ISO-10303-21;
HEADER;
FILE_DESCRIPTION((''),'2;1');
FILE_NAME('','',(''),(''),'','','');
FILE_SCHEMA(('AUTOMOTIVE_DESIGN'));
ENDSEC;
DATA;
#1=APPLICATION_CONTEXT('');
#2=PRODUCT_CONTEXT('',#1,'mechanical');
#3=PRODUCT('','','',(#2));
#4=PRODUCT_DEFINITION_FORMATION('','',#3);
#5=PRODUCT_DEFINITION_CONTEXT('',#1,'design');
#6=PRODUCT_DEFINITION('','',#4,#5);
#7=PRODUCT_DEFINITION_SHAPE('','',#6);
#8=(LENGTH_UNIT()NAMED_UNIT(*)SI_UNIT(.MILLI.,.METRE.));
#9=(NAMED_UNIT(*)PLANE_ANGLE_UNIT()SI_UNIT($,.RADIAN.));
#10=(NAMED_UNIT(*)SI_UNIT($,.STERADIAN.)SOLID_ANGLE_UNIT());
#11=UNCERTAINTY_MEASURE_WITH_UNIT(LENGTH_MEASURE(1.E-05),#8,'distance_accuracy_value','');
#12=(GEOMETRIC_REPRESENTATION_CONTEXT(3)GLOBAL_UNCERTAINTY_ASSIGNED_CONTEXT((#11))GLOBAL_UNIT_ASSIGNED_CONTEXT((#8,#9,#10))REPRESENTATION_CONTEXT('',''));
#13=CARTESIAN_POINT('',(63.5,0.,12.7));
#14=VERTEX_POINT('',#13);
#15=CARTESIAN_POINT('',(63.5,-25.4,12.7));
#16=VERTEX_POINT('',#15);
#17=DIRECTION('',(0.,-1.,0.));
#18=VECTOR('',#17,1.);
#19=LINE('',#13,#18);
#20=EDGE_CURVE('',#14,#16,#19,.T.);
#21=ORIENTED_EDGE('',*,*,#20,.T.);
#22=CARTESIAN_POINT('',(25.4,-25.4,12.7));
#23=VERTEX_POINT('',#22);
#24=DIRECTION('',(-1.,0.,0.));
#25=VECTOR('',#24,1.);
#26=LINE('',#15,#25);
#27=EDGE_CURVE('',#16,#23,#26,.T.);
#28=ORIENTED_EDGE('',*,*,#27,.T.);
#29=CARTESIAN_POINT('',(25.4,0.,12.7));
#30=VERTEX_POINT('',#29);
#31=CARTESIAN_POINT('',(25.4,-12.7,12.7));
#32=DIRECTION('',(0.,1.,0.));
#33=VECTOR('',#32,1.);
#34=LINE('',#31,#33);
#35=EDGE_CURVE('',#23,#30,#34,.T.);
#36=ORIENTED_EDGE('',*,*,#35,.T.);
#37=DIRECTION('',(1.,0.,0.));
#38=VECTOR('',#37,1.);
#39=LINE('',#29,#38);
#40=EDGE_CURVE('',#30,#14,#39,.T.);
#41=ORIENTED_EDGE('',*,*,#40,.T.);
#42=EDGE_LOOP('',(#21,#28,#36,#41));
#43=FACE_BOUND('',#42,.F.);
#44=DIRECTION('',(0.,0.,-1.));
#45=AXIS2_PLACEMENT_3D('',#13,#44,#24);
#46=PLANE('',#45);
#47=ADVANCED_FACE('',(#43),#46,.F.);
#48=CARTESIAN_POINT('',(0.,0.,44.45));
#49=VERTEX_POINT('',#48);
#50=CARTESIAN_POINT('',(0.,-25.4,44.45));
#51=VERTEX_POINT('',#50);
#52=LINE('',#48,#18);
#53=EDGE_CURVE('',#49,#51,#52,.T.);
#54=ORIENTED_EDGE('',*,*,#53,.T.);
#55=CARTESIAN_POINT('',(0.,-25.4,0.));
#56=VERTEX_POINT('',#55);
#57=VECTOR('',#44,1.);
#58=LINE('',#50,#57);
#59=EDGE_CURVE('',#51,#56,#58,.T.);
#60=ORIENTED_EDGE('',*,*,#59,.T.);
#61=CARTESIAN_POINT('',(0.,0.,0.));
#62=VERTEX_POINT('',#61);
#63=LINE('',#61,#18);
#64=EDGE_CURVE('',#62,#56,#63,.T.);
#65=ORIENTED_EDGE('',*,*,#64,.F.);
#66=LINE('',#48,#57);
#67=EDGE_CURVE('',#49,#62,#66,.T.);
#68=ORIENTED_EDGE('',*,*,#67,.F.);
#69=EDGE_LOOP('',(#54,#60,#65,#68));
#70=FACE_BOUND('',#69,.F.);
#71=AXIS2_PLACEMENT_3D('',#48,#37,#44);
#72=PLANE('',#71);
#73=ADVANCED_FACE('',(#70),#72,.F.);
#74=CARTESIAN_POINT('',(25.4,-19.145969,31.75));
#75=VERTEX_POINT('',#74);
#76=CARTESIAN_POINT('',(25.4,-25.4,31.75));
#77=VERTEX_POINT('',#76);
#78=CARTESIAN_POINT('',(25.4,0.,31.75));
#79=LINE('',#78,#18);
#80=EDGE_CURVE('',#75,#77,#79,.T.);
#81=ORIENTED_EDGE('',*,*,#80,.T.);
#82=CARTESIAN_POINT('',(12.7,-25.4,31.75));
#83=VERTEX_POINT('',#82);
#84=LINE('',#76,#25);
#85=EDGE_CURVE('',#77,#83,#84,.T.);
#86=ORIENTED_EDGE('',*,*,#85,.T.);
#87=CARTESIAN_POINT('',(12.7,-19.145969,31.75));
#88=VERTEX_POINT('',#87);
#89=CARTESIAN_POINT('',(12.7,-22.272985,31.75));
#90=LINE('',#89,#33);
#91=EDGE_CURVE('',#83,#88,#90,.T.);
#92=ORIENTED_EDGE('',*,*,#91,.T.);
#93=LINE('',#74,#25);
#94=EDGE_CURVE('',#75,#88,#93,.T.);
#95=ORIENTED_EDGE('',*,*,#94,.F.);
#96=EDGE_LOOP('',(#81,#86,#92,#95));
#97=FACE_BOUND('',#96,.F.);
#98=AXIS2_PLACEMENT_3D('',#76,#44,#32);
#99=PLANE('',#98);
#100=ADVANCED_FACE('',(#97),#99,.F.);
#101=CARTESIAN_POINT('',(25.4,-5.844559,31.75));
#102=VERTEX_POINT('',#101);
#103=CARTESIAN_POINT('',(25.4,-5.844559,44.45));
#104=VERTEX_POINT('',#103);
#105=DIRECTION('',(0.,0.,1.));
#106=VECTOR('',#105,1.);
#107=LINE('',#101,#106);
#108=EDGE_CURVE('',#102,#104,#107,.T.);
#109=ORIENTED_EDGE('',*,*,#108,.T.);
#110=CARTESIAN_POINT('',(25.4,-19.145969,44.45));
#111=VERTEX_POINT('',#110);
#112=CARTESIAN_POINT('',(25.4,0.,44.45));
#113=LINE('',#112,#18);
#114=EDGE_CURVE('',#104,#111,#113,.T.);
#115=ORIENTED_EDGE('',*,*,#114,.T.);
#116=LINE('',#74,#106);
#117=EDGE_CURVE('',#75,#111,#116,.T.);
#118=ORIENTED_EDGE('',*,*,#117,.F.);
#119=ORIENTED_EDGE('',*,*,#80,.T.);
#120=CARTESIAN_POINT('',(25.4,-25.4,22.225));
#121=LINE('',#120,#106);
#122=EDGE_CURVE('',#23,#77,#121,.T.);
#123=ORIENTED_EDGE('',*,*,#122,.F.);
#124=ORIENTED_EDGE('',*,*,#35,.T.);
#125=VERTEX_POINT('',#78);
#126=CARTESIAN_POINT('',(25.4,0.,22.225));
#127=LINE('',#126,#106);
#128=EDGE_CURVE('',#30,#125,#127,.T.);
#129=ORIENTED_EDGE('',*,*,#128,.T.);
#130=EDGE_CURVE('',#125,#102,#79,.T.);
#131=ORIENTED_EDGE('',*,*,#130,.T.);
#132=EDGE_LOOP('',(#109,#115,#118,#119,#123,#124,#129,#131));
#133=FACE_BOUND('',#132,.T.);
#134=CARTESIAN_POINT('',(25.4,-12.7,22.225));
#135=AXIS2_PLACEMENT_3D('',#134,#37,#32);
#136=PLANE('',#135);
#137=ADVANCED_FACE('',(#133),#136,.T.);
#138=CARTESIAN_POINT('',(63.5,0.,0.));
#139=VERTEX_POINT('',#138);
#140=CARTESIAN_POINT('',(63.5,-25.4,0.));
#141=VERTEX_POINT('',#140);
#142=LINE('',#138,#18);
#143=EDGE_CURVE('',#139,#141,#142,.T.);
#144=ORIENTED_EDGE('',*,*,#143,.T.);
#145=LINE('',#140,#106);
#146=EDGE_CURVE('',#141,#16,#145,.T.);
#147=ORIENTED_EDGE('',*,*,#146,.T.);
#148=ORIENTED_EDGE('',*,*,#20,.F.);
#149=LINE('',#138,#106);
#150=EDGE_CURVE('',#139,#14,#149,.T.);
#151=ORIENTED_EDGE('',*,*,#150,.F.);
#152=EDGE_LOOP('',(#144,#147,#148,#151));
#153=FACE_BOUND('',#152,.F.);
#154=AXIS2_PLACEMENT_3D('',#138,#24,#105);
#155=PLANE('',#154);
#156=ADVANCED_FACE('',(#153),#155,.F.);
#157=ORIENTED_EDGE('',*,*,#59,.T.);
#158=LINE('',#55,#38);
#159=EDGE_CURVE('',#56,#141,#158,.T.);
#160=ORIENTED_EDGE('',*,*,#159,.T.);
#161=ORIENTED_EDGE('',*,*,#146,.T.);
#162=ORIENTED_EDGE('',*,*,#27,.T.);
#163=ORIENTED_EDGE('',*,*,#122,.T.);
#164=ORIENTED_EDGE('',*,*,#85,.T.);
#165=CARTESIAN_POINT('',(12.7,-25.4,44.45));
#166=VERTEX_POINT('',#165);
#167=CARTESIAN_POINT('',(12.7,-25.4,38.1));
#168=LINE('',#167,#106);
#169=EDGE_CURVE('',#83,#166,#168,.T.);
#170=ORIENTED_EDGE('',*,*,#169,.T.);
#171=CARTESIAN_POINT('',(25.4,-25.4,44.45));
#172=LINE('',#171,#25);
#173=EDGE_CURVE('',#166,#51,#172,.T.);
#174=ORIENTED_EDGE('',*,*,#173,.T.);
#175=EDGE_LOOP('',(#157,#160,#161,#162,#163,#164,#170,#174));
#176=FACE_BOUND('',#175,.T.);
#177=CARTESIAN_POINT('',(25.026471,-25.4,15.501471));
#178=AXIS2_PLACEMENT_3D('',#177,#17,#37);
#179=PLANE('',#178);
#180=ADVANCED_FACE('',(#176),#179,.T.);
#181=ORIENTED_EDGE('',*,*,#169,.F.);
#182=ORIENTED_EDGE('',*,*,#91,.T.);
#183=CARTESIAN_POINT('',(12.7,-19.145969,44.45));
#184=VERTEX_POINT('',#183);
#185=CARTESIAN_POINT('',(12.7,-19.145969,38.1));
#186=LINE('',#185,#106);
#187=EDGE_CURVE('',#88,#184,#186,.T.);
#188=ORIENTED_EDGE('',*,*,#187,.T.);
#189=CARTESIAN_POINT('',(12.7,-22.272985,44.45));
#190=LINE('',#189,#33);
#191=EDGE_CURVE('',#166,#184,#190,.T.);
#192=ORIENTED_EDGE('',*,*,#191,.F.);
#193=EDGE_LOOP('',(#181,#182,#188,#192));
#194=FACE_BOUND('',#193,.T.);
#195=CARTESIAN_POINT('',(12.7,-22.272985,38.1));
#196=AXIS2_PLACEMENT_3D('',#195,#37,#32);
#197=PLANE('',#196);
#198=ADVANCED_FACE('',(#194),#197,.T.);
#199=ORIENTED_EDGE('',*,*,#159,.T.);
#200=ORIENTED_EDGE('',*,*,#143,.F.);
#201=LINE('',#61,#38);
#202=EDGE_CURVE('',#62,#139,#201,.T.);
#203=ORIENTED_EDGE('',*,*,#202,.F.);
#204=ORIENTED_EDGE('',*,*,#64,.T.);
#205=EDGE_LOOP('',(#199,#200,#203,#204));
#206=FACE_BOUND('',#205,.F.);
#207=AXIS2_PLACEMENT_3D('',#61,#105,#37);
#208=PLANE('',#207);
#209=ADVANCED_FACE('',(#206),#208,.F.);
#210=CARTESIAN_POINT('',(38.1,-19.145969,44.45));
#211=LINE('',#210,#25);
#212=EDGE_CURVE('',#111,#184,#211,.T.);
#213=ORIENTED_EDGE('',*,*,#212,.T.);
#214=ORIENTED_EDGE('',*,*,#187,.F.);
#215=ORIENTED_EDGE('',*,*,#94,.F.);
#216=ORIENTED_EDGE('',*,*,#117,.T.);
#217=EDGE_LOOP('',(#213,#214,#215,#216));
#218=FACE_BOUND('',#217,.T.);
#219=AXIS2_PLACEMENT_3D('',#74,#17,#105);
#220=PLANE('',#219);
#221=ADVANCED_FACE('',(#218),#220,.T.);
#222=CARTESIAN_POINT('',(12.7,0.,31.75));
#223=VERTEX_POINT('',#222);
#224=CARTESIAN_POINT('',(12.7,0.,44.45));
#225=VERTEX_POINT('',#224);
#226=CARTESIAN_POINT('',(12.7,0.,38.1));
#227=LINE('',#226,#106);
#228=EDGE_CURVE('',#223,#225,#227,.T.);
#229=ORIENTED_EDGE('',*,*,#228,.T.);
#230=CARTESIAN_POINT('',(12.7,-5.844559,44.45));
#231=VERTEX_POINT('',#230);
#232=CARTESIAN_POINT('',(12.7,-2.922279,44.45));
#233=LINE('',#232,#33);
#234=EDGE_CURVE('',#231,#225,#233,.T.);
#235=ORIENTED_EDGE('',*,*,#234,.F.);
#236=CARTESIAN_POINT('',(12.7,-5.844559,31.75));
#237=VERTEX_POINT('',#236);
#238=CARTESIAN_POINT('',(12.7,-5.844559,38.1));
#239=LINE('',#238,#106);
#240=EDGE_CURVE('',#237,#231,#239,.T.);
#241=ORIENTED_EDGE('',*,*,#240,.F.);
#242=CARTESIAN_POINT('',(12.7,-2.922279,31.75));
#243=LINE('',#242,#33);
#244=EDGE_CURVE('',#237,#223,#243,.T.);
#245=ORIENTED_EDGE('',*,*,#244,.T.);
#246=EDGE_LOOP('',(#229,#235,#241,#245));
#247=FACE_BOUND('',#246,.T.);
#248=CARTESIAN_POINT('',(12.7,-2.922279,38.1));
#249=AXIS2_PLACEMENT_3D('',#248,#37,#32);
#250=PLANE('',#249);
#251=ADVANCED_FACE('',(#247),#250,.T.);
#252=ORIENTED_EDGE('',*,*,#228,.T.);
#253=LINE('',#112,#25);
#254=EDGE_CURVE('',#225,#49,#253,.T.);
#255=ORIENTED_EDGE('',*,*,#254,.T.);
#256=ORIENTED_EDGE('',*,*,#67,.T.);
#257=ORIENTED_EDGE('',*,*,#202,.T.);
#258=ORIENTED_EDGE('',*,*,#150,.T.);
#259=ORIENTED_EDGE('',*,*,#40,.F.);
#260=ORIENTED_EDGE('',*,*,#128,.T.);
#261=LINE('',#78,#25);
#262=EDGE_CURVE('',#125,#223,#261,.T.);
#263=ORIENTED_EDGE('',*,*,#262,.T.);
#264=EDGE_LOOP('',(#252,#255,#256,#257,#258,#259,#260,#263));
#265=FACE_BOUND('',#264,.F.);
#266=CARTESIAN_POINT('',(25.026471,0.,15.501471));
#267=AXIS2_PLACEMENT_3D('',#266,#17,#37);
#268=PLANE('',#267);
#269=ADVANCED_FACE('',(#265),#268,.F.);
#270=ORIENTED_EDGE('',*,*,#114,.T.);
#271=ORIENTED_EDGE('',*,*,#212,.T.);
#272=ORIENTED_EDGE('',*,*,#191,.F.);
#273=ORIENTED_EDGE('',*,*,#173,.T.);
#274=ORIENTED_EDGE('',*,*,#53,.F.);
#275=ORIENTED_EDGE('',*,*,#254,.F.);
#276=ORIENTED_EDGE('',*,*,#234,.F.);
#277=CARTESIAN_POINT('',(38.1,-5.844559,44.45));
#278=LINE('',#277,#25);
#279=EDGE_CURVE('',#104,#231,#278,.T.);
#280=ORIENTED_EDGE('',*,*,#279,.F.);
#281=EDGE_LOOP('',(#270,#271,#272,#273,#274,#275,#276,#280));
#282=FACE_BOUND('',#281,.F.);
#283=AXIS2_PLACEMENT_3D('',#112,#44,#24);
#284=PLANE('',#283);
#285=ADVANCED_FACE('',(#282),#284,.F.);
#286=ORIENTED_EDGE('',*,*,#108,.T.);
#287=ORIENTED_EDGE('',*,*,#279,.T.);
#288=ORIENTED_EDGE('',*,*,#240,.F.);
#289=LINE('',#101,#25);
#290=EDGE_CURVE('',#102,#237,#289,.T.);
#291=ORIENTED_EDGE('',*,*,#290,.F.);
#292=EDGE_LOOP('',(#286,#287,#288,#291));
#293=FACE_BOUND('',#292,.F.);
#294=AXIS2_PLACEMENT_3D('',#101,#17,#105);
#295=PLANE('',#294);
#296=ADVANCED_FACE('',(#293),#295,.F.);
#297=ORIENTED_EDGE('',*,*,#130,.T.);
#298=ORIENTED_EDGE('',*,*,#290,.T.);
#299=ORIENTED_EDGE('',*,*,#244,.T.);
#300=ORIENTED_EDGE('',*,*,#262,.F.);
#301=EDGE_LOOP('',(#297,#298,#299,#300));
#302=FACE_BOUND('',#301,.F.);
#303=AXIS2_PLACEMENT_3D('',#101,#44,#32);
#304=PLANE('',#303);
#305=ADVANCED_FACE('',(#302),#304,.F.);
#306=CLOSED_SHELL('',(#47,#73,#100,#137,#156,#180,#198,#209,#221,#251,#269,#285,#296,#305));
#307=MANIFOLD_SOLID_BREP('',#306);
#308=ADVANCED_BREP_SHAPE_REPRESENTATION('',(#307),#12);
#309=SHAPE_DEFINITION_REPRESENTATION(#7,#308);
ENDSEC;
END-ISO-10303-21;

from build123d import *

# Parameters (mm, degrees)
F1_DEPTH   = 25.4
F2_W       = 6.2540306985
F2_H       = 12.7
F2_W_2     = 5.8445585892
F1_FACE1_W = 25.4
F1_FACE1_H = 19.05
F3_DEPTH   = 12.7


with BuildPart() as f1:
    # F0 (on Front) → F1 (new body)
    with BuildSketch(Plane.XZ):
        Polygon((0, 31.75), (0, 0), (63.5, 0), (63.5, 12.7), (38.1, 12.7), (38.1, 19.05), (12.7, 19.05), (12.7, 44.45), (0, 44.45), align=None)
        Polygon((25.4, 44.45), (12.7, 44.45), (12.7, 19.05), (38.1, 19.05), (38.1, 31.75), (25.4, 31.75), align=None)
    extrude(amount=F1_DEPTH)

    # F2 (on face) + F1_face1 (on face) → F3 (cut, symmetric)
    with BuildSketch(Plane.YZ.offset(25.4)):
        with Locations((-22.2729846507, 38.1)):
            Rectangle(F2_W, F2_H)
        with Locations((-2.9222792946, 38.1)):
            Rectangle(F2_W_2, F2_H)
    with BuildSketch(Plane(origin=(38.1, -12.7, 22.225), x_dir=(0, 1, 0), z_dir=(1, 0, 0))):
        Rectangle(F1_FACE1_W, F1_FACE1_H)
    extrude(amount=F3_DEPTH, both=True, mode=Mode.SUBTRACT)


solid = f1.part
